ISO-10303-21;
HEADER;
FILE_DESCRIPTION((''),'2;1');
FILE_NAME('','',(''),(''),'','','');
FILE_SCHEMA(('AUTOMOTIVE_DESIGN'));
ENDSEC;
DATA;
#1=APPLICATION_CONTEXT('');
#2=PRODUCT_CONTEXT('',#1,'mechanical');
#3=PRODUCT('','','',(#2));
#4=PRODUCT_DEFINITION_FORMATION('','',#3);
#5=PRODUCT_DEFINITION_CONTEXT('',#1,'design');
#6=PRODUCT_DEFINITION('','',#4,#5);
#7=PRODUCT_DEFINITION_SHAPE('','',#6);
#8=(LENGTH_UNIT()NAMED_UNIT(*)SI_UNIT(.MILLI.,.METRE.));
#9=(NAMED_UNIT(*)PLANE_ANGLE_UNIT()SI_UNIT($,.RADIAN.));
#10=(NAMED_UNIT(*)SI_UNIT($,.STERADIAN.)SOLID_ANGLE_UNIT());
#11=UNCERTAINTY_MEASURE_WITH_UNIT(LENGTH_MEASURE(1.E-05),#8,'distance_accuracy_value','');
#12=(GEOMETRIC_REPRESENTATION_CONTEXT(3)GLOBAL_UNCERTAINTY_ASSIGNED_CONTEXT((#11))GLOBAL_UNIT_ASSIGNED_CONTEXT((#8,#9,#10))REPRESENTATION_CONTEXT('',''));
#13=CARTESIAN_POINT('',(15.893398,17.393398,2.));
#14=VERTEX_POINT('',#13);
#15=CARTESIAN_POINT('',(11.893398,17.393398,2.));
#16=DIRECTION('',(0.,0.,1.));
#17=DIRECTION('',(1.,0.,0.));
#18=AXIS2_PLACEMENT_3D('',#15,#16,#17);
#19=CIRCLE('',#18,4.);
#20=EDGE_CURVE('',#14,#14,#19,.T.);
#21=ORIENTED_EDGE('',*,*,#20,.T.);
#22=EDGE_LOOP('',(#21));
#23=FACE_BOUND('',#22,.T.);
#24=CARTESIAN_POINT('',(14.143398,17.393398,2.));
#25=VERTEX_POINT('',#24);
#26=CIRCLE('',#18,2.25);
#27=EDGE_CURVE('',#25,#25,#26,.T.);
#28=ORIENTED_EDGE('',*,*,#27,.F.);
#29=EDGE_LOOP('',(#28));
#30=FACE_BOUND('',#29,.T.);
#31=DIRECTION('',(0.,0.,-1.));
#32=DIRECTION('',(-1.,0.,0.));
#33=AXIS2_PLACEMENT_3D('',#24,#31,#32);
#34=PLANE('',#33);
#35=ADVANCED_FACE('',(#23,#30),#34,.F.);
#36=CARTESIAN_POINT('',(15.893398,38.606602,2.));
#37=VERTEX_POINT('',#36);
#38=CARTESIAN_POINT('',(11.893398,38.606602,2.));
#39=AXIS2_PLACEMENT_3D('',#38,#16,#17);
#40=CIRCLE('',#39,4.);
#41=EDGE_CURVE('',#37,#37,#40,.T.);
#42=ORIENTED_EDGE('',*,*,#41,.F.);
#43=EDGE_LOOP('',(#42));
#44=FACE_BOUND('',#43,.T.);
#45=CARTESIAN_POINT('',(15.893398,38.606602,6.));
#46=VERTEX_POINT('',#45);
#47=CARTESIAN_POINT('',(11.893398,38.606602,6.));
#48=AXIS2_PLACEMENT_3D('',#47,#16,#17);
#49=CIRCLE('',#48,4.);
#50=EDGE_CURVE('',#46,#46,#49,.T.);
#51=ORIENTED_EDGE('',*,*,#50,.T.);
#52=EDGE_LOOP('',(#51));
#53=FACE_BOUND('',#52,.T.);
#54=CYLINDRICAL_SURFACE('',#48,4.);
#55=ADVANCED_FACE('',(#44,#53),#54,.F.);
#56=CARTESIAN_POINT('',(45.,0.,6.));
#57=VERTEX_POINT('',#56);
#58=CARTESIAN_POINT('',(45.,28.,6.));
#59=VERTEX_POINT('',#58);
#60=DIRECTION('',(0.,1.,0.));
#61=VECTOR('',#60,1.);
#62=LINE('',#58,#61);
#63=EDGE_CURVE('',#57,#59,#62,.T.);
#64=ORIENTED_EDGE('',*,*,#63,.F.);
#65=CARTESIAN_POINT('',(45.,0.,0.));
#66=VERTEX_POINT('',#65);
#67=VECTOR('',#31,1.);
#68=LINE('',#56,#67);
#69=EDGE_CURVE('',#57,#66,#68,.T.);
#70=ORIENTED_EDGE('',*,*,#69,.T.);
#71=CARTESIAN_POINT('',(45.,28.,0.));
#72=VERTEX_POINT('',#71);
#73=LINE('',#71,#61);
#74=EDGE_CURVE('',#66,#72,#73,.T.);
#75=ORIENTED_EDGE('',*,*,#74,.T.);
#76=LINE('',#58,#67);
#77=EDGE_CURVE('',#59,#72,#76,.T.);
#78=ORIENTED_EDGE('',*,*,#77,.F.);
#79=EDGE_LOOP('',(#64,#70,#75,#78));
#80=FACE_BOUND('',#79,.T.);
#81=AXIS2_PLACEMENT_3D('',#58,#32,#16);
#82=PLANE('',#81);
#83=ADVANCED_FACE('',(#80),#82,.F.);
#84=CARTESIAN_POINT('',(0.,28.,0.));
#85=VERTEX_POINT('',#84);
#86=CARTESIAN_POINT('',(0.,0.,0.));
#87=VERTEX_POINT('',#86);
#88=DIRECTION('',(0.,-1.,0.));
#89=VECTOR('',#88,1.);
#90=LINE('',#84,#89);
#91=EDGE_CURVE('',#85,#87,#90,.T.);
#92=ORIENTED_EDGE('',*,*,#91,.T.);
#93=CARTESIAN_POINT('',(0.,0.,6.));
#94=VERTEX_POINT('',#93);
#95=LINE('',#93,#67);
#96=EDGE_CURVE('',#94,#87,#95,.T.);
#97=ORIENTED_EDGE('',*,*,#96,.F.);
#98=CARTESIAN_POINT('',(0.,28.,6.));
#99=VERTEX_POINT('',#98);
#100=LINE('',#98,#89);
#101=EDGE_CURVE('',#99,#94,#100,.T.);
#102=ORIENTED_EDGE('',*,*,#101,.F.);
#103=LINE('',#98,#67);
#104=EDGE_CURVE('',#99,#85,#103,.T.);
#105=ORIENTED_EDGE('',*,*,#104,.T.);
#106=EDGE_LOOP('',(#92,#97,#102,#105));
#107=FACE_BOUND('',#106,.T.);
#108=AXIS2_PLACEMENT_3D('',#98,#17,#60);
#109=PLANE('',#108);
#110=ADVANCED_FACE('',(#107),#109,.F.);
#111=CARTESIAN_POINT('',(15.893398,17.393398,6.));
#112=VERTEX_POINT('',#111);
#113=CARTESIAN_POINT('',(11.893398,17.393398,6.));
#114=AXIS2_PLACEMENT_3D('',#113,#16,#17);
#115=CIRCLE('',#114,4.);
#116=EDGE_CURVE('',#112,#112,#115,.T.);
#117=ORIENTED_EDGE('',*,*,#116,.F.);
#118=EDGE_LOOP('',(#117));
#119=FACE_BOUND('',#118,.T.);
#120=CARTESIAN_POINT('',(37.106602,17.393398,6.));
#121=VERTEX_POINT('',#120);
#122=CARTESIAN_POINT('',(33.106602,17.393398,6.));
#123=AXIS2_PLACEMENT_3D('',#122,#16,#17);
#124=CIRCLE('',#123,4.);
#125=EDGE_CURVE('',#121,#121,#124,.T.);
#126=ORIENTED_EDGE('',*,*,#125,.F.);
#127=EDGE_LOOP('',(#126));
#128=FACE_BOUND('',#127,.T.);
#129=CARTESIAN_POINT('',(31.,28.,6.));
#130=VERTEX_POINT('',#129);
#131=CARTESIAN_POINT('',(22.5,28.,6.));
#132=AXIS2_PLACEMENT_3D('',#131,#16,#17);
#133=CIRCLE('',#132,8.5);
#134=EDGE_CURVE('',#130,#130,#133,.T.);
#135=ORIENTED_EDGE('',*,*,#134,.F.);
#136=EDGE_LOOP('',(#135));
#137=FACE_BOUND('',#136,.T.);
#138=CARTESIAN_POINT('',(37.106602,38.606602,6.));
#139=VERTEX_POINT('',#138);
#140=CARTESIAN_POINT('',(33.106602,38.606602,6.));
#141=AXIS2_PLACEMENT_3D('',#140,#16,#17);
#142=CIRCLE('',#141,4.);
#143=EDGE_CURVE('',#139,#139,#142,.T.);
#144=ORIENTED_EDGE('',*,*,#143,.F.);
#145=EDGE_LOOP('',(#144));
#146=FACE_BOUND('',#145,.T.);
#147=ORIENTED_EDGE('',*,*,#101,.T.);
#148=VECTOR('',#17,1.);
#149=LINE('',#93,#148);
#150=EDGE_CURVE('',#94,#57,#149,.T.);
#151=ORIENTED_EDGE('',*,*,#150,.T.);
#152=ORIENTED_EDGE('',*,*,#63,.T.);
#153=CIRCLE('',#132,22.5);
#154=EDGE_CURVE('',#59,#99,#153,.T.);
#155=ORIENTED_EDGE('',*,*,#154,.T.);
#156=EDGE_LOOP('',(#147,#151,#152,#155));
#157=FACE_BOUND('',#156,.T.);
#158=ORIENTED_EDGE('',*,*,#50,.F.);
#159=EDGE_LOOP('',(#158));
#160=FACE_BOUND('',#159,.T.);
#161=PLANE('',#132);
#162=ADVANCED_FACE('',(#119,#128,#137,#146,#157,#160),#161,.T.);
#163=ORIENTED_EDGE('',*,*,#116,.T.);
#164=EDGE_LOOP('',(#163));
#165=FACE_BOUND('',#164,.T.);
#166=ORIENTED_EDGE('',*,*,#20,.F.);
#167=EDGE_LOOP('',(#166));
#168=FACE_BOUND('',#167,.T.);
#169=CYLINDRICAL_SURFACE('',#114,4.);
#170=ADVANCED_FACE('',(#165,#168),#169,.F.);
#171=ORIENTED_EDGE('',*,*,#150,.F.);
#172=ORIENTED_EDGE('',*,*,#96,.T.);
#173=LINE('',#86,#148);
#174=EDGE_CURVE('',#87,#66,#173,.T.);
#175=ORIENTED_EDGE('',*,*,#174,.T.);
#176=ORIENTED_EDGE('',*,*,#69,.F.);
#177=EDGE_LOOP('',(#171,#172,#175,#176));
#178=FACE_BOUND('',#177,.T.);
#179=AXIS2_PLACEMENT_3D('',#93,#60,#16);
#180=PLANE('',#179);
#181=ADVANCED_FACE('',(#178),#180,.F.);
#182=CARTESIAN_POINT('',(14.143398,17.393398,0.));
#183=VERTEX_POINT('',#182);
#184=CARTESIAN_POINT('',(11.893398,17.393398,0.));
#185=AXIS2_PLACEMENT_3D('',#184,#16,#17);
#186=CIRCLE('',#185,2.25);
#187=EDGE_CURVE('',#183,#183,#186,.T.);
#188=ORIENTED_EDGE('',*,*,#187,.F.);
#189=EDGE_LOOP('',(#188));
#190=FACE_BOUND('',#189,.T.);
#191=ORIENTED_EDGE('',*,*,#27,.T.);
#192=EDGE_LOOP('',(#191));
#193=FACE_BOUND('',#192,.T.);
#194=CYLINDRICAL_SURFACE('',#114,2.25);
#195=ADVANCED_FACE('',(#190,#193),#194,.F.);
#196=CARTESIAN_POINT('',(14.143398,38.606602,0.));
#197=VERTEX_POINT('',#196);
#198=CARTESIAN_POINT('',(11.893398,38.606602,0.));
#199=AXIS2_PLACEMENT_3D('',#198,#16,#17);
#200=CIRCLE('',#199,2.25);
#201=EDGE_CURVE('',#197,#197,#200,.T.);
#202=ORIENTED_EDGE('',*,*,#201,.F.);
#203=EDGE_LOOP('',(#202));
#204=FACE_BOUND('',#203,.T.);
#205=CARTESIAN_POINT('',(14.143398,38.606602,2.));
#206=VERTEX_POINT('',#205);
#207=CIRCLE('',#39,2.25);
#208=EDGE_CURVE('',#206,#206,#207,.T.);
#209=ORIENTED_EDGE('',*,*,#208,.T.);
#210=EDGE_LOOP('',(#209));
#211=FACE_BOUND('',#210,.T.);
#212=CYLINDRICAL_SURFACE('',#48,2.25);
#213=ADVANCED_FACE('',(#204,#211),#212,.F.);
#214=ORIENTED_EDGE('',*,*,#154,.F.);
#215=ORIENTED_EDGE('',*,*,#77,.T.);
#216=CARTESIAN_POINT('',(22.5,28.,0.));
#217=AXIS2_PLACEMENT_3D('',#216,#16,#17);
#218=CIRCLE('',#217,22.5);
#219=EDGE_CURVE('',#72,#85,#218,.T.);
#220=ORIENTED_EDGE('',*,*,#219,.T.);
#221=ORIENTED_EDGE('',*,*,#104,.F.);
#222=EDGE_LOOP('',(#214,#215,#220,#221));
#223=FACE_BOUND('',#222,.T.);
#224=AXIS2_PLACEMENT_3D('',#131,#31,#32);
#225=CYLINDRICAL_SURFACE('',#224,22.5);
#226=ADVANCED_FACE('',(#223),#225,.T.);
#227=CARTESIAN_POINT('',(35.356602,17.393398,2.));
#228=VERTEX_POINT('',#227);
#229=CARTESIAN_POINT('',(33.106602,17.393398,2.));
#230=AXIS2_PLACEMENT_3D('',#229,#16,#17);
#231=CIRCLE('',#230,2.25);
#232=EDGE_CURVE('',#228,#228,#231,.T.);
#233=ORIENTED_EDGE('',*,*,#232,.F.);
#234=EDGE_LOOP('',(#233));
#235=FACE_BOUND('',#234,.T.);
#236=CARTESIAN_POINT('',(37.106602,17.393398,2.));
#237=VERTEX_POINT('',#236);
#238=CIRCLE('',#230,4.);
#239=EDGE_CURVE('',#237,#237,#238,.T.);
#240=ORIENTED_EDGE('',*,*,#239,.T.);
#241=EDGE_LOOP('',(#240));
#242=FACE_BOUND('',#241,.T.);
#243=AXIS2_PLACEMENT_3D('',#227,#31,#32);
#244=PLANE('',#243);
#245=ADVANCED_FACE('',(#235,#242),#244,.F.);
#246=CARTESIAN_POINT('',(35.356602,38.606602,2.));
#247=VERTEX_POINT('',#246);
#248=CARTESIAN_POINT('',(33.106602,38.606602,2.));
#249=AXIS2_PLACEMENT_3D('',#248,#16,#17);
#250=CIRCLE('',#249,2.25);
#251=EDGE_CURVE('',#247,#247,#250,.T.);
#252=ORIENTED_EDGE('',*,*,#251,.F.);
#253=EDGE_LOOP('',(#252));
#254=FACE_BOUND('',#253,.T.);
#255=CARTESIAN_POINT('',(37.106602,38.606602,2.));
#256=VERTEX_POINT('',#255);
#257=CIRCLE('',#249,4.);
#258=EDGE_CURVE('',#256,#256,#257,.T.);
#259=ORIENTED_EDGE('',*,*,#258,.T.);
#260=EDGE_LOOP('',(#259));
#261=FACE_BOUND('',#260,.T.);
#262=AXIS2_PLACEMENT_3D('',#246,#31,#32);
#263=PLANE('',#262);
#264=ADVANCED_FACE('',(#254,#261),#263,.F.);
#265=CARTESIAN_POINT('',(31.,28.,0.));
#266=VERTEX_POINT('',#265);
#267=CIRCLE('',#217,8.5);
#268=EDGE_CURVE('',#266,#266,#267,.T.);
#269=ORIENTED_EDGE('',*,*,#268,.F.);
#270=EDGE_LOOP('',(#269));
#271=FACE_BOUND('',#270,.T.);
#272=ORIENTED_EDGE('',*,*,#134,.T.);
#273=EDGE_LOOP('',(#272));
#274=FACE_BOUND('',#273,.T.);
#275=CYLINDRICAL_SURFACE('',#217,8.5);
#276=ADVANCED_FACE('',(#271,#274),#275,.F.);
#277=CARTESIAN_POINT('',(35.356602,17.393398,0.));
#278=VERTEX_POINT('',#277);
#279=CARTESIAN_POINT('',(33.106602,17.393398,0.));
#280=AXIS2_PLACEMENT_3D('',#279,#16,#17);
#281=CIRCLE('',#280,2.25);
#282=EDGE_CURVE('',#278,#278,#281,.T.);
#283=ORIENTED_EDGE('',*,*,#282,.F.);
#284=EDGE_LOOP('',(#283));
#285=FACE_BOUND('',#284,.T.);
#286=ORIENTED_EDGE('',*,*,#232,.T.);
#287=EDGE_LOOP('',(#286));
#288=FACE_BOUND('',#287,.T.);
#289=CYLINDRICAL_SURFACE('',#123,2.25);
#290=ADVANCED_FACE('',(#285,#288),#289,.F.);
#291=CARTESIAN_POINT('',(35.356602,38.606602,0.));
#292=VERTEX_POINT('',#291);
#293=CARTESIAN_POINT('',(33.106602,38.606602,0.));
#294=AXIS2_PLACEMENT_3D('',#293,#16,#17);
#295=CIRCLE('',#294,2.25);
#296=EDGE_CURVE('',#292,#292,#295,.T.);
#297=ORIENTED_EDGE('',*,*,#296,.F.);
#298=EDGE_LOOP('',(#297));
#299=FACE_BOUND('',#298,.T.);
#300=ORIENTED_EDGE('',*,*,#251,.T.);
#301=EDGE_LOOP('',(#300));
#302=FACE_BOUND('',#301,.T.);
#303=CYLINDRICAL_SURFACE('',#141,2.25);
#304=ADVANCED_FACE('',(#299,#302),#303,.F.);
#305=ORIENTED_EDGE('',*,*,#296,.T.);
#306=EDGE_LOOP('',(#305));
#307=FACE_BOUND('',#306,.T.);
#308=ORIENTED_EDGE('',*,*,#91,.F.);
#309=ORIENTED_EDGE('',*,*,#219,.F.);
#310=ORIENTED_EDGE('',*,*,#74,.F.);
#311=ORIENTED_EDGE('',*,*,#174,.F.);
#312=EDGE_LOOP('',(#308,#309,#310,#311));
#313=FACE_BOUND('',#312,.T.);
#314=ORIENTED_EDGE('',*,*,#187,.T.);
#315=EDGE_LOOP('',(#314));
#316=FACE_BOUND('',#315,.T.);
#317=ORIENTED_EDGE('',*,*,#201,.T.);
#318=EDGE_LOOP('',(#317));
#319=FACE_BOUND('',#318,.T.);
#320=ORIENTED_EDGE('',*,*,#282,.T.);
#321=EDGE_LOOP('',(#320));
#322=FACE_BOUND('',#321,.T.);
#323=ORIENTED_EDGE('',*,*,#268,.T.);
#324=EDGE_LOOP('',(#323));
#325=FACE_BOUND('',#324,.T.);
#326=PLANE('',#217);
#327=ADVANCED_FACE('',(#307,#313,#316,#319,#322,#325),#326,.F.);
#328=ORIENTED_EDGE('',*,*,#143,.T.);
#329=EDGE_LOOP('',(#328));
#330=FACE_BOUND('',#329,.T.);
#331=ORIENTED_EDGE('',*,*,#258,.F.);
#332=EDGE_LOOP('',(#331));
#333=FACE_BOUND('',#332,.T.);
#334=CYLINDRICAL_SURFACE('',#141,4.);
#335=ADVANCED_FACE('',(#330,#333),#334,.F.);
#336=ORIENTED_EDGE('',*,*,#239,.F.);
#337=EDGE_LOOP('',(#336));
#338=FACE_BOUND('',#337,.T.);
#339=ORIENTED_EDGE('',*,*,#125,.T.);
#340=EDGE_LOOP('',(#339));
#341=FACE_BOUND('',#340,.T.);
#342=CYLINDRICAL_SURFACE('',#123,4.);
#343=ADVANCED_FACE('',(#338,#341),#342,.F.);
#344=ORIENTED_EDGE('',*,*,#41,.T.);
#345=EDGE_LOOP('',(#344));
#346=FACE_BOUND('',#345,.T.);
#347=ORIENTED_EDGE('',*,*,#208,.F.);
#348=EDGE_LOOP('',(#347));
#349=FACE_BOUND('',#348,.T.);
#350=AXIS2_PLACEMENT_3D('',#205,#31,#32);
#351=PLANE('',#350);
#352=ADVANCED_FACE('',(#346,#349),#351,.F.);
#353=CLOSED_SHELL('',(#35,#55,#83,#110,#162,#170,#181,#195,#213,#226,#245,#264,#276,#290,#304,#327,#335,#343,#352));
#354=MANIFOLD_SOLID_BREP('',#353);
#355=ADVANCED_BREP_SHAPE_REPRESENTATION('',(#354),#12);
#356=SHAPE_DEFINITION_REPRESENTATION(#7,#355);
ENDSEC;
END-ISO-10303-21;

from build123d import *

# Parameters (mm, degrees)
EXTRUDE_1_DEPTH             = 6
SKETCH_2_R                  = 8.5
CUT_EXTRUDE_1_DEPTH         = 68.906185285
HOLE_WIZARD_M41_D           = 4.5
HOLE_WIZARD_M41_CBORE_D     = 8
HOLE_WIZARD_M41_CBORE_DEPTH = 4


with BuildPart() as part:
    # Эскиз1 → Бобышка-Вытянуть1 (new body)
    with BuildSketch(Plane.XY):
        with BuildLine():
            Line((0, 28), (0, 0))
            Line((0, 0), (45, 0))
            Line((45, 0), (45, 28))
            ThreePointArc((45, 28), (22.5, 50.5), (0, 28))
        make_face()
    extrude(amount=EXTRUDE_1_DEPTH)

    # Эскиз2 → Вырез-Вытянуть1 (cut, through all)
    with BuildSketch(Plane.XY.offset(6)):
        with Locations((22.5, 28)):
            Circle(SKETCH_2_R)
    extrude(amount=-CUT_EXTRUDE_1_DEPTH, mode=Mode.SUBTRACT)

    # Цековка для винта с внутренним шестигранником M41 (through all)
    with Locations(Plane.XY.offset(6)):
        with Locations((11.893398282, 38.606601718), (33.106601718, 38.606601718), (33.106601718, 17.393398282), (11.893398282, 17.393398282)):
            CounterBoreHole(HOLE_WIZARD_M41_D / 2, HOLE_WIZARD_M41_CBORE_D / 2, HOLE_WIZARD_M41_CBORE_DEPTH)


solid = part.part
